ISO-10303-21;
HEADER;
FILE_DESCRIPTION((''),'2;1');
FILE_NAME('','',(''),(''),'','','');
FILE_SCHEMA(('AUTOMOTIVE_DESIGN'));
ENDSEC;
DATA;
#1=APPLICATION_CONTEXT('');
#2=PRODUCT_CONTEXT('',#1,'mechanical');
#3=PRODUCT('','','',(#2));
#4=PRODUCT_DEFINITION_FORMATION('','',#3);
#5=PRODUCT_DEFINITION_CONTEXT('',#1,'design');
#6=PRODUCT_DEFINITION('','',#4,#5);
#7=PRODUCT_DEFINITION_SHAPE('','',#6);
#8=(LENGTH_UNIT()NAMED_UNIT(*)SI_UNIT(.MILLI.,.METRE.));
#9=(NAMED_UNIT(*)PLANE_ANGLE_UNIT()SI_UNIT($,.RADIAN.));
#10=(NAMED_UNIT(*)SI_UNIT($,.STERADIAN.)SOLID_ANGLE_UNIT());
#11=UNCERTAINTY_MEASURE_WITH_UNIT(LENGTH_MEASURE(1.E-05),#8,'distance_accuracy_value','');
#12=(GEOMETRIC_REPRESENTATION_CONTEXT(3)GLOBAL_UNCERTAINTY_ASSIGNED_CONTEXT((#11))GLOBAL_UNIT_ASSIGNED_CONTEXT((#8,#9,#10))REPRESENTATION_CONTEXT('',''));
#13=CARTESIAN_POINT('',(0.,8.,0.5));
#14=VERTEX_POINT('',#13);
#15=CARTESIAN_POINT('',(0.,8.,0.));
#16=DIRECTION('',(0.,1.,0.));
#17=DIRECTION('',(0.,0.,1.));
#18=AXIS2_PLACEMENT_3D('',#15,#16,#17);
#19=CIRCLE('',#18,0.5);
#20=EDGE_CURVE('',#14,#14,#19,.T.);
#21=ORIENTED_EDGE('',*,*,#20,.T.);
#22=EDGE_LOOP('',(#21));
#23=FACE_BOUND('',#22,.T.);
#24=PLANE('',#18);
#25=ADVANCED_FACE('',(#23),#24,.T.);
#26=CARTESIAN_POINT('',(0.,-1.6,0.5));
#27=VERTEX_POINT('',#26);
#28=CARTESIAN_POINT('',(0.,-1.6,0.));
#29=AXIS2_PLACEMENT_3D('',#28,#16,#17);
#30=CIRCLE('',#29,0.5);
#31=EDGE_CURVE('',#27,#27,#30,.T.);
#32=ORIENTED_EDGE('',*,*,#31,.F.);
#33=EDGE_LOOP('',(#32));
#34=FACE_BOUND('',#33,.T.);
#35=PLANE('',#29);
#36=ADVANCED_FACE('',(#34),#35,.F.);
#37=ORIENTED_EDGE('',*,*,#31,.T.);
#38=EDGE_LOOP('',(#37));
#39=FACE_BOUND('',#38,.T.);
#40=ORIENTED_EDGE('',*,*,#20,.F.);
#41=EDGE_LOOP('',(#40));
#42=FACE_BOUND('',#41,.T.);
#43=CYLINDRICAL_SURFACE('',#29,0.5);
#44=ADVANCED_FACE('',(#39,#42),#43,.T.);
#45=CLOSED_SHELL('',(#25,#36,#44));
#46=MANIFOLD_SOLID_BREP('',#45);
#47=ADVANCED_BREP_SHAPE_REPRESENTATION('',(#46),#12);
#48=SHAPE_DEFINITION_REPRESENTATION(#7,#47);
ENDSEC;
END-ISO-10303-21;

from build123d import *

# Parameters (mm, degrees)
CROQUIS1_R                   = 0.5
SALIENTE_EXTRUIR1_DEPTH      = 8
SALIENTE_EXTRUIR1_DEPTH_BACK = 1.6


with BuildPart() as part:
    # Croquis1 → Saliente-Extruir1 (new body, two sides)
    with BuildSketch(Plane(origin=(0, 0, 0), x_dir=(1, 0, 0), z_dir=(0, 1, 0))) as saliente_extruir1_sk:
        Circle(CROQUIS1_R)
    extrude(amount=SALIENTE_EXTRUIR1_DEPTH)
    extrude(saliente_extruir1_sk.sketch, amount=-SALIENTE_EXTRUIR1_DEPTH_BACK)


solid = part.part
